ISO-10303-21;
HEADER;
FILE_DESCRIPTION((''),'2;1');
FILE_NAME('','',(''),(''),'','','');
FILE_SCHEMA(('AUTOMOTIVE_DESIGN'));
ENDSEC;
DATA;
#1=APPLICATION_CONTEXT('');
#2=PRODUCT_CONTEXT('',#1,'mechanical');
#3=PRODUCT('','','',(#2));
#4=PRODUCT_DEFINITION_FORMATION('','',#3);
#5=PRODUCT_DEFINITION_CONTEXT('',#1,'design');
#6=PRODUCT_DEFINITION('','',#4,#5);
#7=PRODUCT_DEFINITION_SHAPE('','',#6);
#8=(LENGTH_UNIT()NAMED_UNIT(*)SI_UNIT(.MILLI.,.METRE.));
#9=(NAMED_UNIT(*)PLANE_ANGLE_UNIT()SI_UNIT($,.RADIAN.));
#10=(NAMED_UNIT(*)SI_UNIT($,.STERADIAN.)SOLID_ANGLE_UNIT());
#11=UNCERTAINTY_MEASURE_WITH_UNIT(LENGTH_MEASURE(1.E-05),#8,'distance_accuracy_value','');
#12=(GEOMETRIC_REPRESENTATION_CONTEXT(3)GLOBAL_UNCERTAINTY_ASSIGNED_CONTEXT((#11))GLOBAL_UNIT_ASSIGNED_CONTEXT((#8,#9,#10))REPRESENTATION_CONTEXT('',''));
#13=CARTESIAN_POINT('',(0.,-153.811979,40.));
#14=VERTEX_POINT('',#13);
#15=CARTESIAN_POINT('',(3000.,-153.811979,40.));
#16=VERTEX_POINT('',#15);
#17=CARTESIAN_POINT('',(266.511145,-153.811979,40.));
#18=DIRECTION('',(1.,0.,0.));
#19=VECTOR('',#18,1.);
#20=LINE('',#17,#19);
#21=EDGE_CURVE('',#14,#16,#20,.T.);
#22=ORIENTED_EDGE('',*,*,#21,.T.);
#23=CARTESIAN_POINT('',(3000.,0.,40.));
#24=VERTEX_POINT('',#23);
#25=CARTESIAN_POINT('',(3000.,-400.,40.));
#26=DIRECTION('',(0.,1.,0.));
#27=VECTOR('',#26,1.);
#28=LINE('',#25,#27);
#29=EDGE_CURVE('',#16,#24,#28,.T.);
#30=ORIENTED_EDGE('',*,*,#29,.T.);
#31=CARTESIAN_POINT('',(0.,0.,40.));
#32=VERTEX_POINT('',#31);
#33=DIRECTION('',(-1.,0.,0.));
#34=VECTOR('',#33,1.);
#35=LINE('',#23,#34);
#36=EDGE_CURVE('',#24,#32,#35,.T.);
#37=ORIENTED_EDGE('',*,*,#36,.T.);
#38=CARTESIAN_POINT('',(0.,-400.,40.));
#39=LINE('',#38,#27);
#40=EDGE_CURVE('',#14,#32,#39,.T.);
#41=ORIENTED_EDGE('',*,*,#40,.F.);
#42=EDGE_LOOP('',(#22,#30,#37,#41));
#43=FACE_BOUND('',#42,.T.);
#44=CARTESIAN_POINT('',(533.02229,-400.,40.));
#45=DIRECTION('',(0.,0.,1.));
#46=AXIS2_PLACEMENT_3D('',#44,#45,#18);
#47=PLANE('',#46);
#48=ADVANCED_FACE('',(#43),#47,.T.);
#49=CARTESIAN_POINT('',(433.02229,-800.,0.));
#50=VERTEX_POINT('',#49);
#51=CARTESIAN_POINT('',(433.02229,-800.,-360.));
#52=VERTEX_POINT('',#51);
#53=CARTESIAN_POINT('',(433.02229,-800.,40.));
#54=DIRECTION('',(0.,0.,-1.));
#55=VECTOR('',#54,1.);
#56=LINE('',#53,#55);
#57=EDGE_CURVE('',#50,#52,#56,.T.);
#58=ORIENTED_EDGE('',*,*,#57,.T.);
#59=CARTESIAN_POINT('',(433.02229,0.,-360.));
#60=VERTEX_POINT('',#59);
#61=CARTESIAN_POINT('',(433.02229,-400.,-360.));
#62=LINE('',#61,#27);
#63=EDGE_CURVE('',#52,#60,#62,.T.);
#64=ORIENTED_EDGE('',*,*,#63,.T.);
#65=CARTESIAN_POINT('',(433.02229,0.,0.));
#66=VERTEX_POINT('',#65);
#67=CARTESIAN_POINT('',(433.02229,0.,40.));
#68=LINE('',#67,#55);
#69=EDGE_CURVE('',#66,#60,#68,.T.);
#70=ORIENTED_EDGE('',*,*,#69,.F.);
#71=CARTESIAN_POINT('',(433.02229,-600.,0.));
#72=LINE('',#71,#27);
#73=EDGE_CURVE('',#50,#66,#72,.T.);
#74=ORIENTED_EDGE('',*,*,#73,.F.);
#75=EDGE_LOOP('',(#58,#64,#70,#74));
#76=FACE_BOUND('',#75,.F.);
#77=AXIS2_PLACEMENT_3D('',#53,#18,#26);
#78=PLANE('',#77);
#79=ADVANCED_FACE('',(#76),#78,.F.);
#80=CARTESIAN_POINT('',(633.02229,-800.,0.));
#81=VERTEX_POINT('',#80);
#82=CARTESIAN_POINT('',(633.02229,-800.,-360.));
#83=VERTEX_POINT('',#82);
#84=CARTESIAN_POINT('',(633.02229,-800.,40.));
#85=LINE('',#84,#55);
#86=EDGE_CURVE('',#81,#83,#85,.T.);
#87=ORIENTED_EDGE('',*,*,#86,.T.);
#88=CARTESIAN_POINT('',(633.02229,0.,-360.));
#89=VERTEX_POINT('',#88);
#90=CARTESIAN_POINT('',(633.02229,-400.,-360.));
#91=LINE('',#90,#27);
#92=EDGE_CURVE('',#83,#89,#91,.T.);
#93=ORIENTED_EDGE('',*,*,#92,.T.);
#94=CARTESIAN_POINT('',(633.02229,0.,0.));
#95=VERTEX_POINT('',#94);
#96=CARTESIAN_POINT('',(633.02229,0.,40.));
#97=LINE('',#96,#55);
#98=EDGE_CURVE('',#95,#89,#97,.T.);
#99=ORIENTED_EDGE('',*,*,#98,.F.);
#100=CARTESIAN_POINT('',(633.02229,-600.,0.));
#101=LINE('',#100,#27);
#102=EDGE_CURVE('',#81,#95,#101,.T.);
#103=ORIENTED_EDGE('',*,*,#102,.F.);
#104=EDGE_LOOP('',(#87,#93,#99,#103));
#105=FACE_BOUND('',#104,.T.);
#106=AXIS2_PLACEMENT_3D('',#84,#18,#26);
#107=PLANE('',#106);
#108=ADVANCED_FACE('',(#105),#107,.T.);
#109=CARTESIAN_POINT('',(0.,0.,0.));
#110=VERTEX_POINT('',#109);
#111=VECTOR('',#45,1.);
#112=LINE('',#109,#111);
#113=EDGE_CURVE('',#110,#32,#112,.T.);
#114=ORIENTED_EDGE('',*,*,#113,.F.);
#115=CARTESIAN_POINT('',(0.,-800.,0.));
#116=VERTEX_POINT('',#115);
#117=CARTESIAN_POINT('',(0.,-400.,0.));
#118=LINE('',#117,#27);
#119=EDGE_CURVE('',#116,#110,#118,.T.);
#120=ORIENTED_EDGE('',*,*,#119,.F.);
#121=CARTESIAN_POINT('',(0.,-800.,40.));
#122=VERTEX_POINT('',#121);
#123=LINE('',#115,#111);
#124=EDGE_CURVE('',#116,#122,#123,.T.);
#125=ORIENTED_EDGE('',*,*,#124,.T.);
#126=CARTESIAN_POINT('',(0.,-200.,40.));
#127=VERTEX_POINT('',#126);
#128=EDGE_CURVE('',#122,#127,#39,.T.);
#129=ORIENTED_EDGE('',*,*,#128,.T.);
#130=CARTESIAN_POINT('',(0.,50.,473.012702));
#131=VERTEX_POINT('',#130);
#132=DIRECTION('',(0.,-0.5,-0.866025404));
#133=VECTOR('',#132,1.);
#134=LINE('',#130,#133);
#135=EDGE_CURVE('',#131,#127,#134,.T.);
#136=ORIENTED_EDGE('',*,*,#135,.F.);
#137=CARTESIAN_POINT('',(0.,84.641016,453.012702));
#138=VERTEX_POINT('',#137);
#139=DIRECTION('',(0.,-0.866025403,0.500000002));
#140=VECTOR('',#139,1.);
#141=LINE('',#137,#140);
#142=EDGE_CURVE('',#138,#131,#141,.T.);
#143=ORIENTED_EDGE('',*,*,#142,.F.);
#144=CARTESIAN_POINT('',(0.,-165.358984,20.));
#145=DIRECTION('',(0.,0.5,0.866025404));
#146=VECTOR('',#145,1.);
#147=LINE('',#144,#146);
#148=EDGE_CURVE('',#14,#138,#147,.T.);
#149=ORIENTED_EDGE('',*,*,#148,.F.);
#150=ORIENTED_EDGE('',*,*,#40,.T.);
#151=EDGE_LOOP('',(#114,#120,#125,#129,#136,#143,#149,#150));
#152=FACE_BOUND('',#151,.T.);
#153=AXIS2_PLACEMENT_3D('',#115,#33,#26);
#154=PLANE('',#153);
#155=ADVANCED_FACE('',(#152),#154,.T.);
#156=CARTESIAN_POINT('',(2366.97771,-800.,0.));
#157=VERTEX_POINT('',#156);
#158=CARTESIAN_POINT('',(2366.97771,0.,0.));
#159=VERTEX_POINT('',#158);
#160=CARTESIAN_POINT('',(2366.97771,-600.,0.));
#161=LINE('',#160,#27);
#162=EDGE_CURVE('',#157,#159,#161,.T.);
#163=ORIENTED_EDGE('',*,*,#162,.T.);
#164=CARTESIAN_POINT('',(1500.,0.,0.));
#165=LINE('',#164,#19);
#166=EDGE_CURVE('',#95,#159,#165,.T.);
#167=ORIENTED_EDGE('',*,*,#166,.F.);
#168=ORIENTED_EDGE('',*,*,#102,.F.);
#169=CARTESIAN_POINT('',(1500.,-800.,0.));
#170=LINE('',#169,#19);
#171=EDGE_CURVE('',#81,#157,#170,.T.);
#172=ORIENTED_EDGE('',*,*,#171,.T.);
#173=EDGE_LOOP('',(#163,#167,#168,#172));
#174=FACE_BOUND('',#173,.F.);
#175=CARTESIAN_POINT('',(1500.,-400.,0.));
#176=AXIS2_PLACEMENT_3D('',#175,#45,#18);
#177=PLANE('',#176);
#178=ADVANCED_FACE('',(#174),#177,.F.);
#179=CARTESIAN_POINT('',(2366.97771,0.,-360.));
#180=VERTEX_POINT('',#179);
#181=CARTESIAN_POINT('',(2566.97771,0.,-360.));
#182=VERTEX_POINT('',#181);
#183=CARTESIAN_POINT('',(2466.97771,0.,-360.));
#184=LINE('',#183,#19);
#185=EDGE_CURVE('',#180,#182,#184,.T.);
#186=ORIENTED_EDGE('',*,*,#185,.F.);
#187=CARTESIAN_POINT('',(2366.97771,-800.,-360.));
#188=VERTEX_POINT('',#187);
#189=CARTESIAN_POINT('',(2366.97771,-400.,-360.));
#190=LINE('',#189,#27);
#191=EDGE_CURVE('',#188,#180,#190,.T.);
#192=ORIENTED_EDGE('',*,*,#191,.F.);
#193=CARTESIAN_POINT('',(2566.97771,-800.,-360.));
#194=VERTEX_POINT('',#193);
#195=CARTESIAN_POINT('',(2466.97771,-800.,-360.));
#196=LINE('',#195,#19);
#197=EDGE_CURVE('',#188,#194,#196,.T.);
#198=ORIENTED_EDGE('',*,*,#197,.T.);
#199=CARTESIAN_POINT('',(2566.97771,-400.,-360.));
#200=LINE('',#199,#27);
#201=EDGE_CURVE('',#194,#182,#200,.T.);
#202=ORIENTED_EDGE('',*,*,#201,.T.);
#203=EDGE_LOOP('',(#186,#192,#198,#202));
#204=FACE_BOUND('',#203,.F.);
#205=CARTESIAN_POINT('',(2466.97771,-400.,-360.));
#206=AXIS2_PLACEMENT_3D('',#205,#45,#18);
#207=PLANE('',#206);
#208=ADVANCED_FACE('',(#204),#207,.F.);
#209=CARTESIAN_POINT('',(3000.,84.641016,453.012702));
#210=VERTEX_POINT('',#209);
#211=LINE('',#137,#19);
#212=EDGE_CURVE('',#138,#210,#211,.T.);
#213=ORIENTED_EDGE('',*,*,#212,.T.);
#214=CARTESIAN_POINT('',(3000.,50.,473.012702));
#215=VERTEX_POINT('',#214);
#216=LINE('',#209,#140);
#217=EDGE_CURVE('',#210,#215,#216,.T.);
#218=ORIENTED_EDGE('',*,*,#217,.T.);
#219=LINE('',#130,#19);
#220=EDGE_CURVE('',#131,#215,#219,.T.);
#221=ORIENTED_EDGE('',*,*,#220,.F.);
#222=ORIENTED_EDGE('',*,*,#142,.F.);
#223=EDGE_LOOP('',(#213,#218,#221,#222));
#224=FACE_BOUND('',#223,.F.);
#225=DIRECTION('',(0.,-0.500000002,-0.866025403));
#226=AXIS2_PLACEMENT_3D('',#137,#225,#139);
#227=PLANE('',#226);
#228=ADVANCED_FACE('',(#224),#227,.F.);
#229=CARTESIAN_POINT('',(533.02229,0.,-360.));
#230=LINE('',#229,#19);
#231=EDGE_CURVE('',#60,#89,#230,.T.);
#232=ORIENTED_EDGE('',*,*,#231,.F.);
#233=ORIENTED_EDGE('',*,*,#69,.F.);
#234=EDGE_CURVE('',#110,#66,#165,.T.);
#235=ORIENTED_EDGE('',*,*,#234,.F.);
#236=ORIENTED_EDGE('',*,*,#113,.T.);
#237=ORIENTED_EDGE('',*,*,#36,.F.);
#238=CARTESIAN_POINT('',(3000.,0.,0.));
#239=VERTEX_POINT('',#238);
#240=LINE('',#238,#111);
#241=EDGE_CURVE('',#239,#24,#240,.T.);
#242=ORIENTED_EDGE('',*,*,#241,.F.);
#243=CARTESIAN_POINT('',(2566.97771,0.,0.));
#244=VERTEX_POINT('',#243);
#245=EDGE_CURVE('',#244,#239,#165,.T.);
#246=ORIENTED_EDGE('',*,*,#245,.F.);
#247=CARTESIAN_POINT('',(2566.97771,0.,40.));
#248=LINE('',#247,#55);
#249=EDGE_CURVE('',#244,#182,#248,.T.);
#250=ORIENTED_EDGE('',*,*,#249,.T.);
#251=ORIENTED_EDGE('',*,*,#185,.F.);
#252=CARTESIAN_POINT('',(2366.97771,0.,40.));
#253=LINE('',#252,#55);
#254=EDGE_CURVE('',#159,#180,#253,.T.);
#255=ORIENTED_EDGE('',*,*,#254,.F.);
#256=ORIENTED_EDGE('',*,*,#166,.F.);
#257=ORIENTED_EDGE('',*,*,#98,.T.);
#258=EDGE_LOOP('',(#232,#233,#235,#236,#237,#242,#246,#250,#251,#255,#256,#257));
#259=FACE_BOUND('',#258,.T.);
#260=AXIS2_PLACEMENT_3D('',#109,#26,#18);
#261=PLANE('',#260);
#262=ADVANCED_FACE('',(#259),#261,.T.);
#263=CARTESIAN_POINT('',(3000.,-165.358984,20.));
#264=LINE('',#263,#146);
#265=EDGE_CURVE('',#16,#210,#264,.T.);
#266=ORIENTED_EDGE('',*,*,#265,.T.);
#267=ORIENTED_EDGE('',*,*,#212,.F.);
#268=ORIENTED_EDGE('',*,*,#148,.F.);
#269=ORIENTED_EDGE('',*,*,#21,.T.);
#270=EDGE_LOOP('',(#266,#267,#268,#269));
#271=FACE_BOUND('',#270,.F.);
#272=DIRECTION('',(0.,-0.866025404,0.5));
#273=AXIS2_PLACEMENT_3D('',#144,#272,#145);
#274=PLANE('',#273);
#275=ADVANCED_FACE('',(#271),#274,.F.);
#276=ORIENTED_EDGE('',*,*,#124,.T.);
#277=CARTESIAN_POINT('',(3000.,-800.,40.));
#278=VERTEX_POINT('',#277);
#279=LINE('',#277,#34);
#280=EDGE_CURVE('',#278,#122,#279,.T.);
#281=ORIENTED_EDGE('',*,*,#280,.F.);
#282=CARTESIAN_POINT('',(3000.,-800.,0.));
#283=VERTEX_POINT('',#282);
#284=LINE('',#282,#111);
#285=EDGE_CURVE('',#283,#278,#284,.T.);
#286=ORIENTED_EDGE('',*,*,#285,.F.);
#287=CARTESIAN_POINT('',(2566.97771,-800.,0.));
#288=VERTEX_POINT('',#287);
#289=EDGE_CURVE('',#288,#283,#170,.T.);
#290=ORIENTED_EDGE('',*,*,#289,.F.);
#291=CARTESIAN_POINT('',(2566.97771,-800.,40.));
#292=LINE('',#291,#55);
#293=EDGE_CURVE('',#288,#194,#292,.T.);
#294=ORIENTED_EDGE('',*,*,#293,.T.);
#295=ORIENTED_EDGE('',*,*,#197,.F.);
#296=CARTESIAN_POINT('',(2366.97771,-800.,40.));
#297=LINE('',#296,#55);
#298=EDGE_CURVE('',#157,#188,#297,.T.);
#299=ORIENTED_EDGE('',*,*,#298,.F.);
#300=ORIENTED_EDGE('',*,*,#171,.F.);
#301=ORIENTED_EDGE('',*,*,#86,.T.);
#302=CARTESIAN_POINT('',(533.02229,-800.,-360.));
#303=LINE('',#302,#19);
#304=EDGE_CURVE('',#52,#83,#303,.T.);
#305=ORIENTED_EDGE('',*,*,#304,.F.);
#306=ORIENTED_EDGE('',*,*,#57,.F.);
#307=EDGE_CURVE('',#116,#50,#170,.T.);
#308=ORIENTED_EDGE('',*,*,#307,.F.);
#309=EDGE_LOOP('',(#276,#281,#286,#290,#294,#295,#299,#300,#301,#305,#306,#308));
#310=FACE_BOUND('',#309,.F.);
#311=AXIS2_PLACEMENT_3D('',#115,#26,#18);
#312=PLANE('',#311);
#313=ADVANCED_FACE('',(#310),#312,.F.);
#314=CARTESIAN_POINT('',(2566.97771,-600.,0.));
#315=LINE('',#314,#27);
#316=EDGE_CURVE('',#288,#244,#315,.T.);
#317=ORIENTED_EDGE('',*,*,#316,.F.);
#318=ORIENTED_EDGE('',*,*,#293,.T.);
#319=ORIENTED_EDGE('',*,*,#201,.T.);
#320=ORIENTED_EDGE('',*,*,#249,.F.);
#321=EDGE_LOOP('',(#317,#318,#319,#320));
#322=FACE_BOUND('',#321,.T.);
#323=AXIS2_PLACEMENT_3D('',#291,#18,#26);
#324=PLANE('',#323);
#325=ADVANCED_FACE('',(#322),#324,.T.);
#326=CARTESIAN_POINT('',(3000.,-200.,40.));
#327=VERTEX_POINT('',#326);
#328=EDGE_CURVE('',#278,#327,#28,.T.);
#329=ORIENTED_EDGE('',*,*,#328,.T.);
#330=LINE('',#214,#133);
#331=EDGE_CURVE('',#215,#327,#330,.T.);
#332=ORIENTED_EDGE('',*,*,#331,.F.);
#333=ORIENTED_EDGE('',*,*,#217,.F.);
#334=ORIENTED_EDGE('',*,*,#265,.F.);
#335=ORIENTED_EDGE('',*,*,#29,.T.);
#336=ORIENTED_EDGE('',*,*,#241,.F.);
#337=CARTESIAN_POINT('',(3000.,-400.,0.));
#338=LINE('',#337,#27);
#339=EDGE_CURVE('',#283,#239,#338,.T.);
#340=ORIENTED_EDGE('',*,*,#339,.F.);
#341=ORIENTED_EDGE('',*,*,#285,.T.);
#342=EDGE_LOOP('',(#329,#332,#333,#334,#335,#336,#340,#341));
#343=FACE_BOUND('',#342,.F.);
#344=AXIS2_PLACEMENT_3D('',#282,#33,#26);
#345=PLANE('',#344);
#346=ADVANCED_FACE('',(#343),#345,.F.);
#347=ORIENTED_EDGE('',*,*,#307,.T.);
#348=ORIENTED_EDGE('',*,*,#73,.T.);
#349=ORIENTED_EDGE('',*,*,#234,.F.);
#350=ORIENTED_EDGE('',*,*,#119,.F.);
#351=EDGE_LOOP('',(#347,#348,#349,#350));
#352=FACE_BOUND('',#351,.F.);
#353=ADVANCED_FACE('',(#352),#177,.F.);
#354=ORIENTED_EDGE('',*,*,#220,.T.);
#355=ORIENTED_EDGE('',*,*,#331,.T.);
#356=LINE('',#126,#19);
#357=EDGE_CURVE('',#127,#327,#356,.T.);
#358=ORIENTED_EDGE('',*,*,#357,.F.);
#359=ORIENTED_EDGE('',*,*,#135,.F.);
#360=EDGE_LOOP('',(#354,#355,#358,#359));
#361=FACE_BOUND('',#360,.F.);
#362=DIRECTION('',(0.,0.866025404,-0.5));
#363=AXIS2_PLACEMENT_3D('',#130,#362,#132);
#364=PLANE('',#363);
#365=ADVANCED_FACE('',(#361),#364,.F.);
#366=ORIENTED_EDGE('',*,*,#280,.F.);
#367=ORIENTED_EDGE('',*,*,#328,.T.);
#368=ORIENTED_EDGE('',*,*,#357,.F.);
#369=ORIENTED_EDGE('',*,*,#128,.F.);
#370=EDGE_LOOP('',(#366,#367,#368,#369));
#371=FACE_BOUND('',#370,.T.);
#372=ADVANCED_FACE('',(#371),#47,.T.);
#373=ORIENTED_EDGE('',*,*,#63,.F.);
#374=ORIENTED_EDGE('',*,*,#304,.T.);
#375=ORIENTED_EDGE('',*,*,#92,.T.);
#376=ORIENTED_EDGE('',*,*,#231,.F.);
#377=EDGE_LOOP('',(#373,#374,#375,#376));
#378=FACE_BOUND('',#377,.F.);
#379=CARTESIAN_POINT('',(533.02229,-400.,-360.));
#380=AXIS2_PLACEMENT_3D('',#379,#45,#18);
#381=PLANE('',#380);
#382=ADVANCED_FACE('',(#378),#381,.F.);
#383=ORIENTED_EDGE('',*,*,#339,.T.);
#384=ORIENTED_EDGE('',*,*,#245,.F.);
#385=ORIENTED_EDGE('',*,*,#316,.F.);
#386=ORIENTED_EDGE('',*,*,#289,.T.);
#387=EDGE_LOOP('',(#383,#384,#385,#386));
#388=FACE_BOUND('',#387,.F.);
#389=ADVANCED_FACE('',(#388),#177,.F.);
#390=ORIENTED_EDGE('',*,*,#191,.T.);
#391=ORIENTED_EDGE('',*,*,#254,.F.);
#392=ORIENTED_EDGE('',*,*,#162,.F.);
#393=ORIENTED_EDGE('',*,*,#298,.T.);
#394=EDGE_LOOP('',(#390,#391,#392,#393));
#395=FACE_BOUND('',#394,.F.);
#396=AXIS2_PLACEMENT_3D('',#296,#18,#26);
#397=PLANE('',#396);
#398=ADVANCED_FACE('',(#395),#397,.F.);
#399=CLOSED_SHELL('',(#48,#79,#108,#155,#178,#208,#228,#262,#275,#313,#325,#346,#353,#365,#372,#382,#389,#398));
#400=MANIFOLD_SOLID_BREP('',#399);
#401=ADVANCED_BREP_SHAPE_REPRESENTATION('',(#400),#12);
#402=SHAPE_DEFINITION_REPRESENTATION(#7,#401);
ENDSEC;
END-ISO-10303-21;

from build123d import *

# Parameters (mm, degrees)
F0_W     = 3000
F0_H     = 800
F1_DEPTH = 40
F2_W     = 200
F2_H     = 800
F3_DEPTH = 400
F5_DEPTH = 3000


with BuildPart() as f1:
    # F0 (on Top) → F1 (new body)
    with BuildSketch(Plane.XY):
        with Locations((1500, -400)):
            Rectangle(F0_W, F0_H)
    extrude(amount=F1_DEPTH)

    # F2 (on face) → F3 (join)
    with BuildSketch(Plane.XY.offset(40)):
        with Locations((533.02229, -400)):
            Rectangle(F2_W, F2_H)
        with Locations((2466.97771, -400)):
            Rectangle(F2_W, F2_H)
    extrude(amount=-F3_DEPTH)

    # F4 (on Right) → F5 (join, through all)
    with BuildSketch(Plane.YZ):
        Polygon((-165.358984, 20), (84.641016, 453.012702), (50, 473.012702), (-200, 40), align=None)
    extrude(amount=F5_DEPTH)


solid = f1.part
